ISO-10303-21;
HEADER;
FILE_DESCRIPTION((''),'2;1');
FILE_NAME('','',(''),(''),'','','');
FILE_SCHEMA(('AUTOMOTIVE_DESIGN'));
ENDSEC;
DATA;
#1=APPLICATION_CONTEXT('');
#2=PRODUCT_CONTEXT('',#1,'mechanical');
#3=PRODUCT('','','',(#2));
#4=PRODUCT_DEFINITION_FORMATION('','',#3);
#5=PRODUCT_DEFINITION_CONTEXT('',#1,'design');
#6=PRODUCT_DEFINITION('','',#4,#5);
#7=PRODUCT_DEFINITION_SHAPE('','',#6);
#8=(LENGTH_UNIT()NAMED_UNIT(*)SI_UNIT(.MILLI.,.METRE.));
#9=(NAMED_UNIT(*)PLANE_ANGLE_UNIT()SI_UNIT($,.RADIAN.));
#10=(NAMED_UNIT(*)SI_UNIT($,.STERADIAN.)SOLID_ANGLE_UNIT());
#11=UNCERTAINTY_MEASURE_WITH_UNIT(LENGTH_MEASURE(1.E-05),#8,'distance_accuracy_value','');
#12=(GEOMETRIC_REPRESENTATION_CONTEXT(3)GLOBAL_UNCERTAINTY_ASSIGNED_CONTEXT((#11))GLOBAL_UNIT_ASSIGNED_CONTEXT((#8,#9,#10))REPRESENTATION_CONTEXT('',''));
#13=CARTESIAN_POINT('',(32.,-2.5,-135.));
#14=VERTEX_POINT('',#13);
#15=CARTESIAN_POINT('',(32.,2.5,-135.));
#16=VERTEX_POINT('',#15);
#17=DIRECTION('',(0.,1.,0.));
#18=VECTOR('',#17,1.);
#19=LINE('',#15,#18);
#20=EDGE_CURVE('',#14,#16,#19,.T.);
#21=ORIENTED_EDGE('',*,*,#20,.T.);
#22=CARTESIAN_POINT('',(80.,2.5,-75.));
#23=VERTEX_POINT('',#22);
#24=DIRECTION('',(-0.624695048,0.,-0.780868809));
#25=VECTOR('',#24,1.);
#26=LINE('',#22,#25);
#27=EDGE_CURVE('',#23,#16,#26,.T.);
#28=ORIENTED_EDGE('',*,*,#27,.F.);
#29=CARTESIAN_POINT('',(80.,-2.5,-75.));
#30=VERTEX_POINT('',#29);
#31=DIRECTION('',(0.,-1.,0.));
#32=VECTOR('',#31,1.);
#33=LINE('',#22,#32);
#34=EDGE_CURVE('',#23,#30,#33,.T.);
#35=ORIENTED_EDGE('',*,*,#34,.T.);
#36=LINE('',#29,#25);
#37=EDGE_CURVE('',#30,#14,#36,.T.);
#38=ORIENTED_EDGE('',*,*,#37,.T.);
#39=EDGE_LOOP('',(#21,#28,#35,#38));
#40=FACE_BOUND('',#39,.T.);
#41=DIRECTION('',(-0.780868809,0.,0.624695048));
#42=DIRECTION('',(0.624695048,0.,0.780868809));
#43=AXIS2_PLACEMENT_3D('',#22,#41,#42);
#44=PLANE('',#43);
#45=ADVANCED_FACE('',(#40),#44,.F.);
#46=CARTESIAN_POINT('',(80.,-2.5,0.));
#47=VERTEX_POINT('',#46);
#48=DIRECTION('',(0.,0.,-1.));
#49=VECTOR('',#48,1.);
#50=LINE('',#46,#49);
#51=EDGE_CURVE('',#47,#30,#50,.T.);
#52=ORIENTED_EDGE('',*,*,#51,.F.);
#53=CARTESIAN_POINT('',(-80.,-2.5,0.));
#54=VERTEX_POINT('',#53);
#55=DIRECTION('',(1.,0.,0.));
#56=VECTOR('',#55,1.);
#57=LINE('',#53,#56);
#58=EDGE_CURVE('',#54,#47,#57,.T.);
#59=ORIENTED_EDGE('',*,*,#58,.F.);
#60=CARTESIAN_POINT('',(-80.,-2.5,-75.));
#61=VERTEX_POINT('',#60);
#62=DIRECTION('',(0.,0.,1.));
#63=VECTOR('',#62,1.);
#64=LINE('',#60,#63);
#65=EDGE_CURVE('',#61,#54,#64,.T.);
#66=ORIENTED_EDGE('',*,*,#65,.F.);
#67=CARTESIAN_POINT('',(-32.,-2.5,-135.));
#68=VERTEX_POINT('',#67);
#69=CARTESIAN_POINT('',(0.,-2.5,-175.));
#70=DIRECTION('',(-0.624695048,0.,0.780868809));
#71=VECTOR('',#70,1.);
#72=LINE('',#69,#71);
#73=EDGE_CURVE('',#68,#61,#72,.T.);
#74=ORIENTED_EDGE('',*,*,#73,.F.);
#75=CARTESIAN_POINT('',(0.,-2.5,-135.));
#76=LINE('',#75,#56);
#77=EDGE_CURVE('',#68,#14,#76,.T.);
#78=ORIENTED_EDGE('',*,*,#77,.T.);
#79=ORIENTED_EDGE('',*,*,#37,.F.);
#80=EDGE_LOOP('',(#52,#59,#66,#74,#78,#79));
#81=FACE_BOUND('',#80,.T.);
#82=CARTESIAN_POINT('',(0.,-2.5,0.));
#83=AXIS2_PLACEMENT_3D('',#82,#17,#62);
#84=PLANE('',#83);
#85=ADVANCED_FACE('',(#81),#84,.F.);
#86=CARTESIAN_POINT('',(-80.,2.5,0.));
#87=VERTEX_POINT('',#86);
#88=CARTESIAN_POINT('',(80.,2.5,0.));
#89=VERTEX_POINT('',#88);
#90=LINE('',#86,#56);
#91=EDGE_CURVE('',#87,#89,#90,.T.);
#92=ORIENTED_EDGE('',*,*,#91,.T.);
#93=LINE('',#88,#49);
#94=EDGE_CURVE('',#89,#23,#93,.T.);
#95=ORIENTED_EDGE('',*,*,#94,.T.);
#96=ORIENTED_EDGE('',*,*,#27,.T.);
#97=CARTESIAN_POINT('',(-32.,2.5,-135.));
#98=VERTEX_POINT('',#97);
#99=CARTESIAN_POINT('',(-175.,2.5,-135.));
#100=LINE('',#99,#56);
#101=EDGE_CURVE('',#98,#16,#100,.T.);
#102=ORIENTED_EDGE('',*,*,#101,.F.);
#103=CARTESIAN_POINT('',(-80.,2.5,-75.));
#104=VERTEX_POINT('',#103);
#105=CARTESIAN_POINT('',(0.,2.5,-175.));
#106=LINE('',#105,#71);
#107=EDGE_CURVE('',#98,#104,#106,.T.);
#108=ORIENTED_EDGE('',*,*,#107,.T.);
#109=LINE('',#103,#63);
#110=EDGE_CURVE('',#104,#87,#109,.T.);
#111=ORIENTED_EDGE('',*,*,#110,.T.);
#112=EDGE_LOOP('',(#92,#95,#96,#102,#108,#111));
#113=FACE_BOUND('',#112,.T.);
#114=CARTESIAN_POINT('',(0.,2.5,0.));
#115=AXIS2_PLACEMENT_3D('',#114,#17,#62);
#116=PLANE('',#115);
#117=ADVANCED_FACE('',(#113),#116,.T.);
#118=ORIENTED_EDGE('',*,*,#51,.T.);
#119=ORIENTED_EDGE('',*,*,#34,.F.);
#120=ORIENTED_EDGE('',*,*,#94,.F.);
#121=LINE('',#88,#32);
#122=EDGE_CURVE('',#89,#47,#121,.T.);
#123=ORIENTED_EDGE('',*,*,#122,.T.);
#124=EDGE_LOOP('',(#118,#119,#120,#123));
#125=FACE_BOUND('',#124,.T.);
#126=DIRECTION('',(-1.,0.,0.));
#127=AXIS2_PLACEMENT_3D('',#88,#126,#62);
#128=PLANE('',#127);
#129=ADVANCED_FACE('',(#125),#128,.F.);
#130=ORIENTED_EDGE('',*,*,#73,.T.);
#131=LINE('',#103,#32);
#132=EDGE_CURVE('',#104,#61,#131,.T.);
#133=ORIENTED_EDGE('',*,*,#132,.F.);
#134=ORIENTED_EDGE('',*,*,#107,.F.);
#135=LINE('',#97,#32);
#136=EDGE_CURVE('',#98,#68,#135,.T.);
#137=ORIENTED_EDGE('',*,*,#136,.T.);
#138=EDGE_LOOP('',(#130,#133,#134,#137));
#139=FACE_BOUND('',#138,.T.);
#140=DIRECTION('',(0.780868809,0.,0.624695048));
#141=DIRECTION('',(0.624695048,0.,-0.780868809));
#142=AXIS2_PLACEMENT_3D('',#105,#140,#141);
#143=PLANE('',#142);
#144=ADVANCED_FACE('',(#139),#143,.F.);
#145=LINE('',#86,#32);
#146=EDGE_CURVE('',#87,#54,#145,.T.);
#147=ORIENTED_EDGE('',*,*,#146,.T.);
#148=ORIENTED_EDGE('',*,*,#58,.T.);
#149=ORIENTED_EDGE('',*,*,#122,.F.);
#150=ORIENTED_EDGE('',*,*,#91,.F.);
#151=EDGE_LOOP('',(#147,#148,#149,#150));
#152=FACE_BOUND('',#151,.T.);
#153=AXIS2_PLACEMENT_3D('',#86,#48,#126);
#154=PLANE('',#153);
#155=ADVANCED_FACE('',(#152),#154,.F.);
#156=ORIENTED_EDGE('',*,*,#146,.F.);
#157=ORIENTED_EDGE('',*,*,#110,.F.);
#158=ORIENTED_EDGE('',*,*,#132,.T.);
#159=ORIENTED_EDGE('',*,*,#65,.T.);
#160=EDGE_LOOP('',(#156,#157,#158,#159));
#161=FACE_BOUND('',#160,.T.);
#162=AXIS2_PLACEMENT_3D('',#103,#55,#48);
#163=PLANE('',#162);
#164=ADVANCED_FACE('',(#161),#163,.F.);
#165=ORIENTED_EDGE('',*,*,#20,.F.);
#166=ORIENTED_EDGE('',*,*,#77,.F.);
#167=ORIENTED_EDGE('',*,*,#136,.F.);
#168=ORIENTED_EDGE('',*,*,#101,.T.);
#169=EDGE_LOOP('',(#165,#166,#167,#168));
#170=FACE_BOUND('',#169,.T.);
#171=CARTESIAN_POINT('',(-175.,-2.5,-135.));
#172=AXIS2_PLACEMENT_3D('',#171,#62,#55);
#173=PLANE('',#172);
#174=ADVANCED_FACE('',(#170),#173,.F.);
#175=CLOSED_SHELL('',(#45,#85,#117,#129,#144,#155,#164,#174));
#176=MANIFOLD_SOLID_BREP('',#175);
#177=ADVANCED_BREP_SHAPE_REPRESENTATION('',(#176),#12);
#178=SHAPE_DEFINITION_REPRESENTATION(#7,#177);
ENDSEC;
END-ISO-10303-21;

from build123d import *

# Parameters (mm, degrees)
BOSS_EXTRUDE1_DEPTH     = 2.5
CUT_EXTRUDE1_DEPTH      = 193.435053979
CUT_EXTRUDE1_DEPTH_BACK = 193.435053979
SKETCH2_W               = 350
SKETCH2_H               = 40


with BuildPart() as part:
    # Sketch1 → Boss-Extrude1 (new, symmetric)
    with BuildSketch(Plane(origin=(0, 0, 0), x_dir=(1, 0, 0), z_dir=(0, 1, 0))):
        Polygon((-80, 0), (80, 0), (80, 75), (0, 175), (-80, 75), align=None)
    extrude(amount=BOSS_EXTRUDE1_DEPTH, both=True)

    # Sketch2 → Cut-Extrude1 (cut, two sides: drawn at the far end of the back side and taken through both)
    with BuildSketch(Plane(origin=(0, 0, 0), x_dir=(1, 0, 0), z_dir=(0, 1, 0)).offset(-CUT_EXTRUDE1_DEPTH_BACK)):
        with Locations((0, 155)):
            Rectangle(SKETCH2_W, SKETCH2_H)
    extrude(amount=CUT_EXTRUDE1_DEPTH + CUT_EXTRUDE1_DEPTH_BACK, mode=Mode.SUBTRACT)


solid = part.part
